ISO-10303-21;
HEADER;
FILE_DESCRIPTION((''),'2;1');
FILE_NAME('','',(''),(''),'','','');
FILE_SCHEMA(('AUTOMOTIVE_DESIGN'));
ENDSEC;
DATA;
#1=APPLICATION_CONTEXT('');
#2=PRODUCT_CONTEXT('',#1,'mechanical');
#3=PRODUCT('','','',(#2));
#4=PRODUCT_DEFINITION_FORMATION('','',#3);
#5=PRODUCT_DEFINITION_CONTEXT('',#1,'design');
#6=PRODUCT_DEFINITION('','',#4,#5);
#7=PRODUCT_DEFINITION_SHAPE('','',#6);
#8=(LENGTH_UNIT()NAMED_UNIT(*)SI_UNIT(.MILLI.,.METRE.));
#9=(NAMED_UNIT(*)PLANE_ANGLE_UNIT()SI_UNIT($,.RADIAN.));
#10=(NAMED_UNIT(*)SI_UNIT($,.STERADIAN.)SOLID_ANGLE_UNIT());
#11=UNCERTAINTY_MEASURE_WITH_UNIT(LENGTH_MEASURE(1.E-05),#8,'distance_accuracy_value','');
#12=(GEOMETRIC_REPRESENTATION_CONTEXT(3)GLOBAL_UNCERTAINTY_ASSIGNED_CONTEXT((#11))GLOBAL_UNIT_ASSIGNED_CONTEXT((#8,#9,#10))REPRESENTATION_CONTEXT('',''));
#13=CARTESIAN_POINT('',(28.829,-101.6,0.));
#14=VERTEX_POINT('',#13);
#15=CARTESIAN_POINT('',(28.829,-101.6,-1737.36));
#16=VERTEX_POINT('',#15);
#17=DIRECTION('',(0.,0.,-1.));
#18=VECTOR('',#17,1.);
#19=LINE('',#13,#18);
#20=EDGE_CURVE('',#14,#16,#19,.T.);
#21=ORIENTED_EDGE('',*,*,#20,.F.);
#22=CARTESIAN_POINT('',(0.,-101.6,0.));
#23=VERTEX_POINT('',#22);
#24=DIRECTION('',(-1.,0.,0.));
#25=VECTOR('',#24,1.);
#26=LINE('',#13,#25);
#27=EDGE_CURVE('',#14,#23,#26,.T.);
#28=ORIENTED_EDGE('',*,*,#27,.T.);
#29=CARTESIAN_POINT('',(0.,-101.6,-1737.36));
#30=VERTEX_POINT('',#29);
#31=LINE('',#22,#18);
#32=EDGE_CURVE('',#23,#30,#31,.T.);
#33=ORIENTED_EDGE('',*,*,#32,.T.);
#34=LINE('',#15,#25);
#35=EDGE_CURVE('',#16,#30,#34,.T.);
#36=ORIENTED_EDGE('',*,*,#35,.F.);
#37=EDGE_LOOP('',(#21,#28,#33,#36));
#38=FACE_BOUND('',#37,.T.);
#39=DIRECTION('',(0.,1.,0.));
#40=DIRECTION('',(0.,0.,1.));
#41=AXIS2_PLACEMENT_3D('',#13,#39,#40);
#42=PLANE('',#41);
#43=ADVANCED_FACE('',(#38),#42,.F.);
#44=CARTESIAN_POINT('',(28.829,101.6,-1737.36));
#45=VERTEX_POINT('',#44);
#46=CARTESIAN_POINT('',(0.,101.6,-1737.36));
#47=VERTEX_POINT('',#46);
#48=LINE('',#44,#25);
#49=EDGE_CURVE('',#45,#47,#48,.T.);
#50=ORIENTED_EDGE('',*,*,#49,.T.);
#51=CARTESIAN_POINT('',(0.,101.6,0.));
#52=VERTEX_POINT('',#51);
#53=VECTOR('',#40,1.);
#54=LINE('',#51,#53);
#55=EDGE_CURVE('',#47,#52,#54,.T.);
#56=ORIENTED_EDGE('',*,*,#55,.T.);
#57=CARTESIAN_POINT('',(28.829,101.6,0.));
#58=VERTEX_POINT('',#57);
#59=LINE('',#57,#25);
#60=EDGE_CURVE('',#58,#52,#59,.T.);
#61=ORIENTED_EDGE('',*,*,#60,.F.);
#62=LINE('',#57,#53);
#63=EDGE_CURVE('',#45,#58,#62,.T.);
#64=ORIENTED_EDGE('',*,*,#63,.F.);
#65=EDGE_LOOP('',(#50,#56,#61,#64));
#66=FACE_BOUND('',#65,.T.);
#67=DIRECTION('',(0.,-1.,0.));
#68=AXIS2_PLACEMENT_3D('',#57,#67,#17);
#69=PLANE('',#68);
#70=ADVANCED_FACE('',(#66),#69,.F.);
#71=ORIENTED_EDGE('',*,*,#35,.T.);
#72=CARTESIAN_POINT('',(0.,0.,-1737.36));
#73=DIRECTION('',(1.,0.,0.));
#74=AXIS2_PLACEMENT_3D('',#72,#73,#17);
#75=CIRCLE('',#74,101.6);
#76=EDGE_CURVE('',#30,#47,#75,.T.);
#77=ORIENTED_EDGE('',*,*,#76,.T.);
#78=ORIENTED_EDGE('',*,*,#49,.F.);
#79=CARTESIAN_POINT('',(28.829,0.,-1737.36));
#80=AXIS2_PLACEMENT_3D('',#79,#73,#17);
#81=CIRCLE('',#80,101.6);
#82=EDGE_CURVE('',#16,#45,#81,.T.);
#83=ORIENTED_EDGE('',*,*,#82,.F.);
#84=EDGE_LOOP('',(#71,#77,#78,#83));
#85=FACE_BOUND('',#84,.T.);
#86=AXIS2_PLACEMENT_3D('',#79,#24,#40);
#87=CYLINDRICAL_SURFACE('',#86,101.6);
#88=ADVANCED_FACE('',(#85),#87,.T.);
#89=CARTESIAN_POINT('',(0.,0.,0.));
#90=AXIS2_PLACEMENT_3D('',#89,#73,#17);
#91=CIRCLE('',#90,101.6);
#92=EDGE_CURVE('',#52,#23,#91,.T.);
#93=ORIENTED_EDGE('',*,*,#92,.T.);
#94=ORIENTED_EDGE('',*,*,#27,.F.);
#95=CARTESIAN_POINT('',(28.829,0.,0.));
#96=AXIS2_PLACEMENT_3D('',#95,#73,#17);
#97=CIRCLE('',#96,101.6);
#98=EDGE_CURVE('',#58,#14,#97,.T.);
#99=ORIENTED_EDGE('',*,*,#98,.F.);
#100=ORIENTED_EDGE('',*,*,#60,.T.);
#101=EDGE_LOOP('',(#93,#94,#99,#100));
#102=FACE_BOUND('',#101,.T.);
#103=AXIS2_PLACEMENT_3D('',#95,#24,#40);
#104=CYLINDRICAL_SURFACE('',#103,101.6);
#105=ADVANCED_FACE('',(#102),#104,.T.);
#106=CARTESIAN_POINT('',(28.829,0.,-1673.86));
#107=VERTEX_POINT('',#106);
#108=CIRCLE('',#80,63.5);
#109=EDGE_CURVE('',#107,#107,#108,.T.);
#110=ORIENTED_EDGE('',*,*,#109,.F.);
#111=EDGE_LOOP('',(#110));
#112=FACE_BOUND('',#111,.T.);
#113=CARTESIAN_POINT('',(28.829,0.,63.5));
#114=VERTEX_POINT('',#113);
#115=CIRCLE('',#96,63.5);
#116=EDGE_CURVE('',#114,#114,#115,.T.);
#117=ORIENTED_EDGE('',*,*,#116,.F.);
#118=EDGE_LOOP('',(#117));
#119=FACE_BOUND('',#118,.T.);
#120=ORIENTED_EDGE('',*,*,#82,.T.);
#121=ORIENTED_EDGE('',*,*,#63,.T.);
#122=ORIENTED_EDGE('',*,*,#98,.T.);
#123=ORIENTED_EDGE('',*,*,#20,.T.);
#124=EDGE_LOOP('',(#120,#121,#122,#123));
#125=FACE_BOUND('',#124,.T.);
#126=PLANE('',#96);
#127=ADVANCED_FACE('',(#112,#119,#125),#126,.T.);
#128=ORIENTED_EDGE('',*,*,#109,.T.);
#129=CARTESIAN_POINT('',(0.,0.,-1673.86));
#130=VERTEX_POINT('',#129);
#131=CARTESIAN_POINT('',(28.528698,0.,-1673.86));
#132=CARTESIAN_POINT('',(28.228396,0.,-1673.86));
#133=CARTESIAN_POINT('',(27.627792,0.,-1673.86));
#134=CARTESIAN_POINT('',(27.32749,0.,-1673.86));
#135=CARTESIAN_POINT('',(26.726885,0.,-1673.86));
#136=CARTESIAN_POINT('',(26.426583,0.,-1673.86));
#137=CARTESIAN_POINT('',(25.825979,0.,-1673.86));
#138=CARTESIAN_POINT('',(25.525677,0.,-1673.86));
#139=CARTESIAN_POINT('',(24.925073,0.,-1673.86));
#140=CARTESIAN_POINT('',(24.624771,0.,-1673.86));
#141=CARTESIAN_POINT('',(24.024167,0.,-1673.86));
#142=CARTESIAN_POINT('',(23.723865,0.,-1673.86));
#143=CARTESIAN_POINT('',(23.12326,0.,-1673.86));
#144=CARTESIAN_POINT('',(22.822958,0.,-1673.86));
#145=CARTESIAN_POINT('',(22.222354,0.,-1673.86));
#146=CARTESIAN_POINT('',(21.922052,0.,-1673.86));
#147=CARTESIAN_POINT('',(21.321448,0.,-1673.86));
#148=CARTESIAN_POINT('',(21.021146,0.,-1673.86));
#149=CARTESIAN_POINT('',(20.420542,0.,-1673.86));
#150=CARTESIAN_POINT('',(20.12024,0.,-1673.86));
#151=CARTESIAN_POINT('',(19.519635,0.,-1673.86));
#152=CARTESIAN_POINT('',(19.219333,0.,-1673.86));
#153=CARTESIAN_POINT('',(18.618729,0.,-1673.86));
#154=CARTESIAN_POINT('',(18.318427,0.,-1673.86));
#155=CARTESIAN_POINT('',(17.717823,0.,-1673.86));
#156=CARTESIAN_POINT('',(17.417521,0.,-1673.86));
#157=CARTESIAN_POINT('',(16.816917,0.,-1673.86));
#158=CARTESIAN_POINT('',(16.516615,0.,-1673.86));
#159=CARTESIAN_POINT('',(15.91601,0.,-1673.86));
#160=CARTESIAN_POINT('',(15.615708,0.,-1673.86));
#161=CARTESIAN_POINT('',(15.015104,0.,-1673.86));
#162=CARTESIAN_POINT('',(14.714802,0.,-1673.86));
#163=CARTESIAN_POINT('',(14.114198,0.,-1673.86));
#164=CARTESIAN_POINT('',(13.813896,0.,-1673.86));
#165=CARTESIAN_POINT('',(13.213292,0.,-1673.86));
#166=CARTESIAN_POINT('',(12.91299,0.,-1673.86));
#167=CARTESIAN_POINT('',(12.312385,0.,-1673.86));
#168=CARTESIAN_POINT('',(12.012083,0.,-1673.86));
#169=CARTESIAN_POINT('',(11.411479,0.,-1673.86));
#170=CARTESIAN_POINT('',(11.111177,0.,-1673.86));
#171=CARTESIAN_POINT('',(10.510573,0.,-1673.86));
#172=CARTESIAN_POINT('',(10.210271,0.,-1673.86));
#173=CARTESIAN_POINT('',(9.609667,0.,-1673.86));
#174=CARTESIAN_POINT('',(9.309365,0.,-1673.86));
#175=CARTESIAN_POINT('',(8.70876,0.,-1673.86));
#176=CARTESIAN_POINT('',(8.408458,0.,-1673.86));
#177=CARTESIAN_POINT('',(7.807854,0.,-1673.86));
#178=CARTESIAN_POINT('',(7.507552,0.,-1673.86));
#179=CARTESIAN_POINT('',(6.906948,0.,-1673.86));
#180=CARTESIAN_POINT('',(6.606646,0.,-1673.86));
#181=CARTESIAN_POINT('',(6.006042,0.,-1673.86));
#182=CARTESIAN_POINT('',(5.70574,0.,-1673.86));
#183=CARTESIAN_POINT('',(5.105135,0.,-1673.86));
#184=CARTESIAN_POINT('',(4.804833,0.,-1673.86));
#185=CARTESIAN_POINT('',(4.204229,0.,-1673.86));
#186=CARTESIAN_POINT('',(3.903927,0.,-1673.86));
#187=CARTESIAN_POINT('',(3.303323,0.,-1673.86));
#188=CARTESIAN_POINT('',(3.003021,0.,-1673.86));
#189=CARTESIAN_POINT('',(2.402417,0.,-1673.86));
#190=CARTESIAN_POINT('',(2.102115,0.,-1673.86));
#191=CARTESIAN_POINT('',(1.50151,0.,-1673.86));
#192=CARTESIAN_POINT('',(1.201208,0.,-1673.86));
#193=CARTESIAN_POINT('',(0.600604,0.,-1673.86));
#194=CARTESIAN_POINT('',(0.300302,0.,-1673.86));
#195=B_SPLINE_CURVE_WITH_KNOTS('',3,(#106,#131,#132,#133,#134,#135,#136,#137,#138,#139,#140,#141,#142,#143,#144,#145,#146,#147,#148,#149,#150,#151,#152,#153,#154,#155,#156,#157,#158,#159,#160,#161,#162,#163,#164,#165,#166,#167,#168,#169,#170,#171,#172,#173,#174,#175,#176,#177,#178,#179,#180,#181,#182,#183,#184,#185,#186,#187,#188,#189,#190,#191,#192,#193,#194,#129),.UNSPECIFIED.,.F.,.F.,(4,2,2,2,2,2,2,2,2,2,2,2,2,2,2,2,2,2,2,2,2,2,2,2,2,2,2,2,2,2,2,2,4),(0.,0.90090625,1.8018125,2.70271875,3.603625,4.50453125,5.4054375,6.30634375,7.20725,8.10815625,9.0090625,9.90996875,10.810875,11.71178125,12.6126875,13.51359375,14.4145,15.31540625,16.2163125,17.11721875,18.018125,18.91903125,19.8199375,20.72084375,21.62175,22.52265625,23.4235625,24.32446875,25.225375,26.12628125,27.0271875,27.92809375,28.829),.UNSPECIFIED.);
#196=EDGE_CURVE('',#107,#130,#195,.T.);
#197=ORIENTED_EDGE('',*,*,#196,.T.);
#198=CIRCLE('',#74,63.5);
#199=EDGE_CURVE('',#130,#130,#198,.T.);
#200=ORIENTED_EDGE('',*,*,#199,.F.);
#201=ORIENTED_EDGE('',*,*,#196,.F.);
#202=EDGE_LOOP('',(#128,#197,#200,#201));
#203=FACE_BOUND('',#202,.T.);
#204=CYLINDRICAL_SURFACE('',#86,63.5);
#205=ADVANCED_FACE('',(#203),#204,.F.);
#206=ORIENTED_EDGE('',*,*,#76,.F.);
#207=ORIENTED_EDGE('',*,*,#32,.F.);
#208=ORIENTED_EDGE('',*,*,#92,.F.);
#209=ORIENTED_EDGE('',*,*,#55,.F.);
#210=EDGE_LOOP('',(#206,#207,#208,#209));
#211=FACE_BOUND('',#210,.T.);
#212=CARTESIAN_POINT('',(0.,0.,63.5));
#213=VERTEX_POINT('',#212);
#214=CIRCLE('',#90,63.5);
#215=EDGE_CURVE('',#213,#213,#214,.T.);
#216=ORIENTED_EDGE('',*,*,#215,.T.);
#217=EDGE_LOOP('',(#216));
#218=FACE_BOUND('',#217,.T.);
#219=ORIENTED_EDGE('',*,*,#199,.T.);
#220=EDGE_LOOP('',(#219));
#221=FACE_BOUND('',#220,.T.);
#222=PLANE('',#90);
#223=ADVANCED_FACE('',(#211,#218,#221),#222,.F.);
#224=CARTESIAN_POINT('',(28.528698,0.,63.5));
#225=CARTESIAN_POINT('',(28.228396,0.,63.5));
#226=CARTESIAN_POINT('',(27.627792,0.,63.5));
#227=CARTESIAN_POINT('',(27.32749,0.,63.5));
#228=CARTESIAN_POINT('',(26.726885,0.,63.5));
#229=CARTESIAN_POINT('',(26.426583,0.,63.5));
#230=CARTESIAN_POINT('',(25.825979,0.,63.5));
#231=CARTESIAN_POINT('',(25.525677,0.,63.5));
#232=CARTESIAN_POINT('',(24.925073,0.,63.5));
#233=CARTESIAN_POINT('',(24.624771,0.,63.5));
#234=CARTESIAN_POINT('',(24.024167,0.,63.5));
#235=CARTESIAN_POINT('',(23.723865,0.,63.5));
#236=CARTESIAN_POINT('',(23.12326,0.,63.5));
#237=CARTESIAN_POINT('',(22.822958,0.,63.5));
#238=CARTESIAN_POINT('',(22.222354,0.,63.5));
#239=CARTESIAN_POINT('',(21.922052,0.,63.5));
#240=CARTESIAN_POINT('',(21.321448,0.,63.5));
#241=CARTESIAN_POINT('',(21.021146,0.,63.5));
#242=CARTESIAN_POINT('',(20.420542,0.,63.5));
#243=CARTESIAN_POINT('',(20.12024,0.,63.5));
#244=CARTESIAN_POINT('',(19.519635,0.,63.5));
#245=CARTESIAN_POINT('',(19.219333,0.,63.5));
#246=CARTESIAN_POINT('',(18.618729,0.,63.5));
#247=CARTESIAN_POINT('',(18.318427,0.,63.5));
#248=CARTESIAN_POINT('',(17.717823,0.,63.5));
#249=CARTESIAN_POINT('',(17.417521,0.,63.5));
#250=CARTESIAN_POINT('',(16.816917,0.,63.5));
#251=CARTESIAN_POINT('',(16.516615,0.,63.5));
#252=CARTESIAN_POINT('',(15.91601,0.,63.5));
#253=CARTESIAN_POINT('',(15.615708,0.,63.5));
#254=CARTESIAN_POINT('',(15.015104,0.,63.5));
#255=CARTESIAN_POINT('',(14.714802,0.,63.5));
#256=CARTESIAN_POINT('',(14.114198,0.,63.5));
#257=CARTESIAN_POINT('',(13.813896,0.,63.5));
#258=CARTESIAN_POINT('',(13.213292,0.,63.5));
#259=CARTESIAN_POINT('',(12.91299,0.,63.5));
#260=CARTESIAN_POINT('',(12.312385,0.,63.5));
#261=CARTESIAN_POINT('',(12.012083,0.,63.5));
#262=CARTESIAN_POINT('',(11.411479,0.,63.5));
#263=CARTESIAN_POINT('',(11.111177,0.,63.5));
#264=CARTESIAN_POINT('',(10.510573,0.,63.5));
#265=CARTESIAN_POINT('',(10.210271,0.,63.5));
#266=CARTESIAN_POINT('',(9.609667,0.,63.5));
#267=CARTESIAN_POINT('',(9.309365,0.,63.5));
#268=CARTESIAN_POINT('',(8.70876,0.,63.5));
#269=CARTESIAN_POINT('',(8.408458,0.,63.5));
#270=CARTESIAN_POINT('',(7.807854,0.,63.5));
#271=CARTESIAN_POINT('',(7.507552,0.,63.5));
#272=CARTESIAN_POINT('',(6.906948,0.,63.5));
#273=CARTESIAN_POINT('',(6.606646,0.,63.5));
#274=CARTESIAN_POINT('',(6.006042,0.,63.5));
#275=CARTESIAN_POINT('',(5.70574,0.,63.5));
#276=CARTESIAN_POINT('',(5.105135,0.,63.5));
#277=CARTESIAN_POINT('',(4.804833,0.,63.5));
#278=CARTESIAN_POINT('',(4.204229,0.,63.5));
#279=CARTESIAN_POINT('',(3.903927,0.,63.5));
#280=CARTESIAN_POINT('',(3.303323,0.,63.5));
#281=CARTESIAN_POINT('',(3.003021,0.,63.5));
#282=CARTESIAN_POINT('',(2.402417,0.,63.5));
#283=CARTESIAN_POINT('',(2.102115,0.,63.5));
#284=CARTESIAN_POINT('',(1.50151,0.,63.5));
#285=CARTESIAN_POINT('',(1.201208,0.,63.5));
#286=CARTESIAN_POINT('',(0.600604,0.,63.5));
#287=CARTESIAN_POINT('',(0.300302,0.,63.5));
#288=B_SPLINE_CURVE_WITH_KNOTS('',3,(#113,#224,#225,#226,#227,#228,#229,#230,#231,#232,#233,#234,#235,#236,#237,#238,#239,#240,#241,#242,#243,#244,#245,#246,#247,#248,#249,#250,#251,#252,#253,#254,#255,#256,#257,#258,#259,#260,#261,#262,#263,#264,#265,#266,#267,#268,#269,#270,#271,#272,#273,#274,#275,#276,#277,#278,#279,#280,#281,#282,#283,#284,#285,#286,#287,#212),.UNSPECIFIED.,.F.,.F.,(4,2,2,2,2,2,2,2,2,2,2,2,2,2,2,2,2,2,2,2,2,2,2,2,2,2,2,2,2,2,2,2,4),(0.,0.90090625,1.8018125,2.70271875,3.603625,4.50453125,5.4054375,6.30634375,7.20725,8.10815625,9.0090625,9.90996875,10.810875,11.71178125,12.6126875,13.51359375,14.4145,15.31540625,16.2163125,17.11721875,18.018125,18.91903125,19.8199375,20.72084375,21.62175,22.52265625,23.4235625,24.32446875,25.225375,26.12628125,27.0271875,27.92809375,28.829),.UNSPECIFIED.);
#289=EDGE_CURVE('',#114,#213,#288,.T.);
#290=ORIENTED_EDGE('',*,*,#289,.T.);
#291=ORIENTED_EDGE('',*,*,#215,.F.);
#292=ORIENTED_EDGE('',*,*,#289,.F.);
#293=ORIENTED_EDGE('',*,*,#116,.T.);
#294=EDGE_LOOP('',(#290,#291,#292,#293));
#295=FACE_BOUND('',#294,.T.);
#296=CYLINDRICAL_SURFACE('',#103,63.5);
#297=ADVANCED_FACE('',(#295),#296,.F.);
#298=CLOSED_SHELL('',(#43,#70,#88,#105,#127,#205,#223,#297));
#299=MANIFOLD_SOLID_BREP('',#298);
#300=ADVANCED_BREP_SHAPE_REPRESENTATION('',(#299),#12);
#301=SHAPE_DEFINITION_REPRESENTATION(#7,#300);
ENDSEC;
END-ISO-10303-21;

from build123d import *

# Parameters (mm, degrees)
SKETCH1_R           = 63.5
BOSS_EXTRUDE1_DEPTH = 28.829


with BuildPart() as part:
    # Sketch1 → Boss-Extrude1 (new body)
    with BuildSketch(Plane(origin=(0, 0, 0), x_dir=(0, 0, -1), z_dir=(1, 0, 0))):
        with BuildLine():
            Line((0, 101.6), (1737.36, 101.6))
            ThreePointArc((1737.36, 101.6), (1838.96, 0), (1737.36, -101.6))
            Line((1737.36, -101.6), (0, -101.6))
            ThreePointArc((0, -101.6), (-101.6, 0), (0, 101.6))
        make_face()
        with Locations(Location((0, 0, 0), (0, 0, 180))):
            Circle(SKETCH1_R, mode=Mode.SUBTRACT)
        with Locations(Location((1737.36, 0, 0), (0, 0, 180))):
            Circle(SKETCH1_R, mode=Mode.SUBTRACT)
    extrude(amount=BOSS_EXTRUDE1_DEPTH)


solid = part.part
